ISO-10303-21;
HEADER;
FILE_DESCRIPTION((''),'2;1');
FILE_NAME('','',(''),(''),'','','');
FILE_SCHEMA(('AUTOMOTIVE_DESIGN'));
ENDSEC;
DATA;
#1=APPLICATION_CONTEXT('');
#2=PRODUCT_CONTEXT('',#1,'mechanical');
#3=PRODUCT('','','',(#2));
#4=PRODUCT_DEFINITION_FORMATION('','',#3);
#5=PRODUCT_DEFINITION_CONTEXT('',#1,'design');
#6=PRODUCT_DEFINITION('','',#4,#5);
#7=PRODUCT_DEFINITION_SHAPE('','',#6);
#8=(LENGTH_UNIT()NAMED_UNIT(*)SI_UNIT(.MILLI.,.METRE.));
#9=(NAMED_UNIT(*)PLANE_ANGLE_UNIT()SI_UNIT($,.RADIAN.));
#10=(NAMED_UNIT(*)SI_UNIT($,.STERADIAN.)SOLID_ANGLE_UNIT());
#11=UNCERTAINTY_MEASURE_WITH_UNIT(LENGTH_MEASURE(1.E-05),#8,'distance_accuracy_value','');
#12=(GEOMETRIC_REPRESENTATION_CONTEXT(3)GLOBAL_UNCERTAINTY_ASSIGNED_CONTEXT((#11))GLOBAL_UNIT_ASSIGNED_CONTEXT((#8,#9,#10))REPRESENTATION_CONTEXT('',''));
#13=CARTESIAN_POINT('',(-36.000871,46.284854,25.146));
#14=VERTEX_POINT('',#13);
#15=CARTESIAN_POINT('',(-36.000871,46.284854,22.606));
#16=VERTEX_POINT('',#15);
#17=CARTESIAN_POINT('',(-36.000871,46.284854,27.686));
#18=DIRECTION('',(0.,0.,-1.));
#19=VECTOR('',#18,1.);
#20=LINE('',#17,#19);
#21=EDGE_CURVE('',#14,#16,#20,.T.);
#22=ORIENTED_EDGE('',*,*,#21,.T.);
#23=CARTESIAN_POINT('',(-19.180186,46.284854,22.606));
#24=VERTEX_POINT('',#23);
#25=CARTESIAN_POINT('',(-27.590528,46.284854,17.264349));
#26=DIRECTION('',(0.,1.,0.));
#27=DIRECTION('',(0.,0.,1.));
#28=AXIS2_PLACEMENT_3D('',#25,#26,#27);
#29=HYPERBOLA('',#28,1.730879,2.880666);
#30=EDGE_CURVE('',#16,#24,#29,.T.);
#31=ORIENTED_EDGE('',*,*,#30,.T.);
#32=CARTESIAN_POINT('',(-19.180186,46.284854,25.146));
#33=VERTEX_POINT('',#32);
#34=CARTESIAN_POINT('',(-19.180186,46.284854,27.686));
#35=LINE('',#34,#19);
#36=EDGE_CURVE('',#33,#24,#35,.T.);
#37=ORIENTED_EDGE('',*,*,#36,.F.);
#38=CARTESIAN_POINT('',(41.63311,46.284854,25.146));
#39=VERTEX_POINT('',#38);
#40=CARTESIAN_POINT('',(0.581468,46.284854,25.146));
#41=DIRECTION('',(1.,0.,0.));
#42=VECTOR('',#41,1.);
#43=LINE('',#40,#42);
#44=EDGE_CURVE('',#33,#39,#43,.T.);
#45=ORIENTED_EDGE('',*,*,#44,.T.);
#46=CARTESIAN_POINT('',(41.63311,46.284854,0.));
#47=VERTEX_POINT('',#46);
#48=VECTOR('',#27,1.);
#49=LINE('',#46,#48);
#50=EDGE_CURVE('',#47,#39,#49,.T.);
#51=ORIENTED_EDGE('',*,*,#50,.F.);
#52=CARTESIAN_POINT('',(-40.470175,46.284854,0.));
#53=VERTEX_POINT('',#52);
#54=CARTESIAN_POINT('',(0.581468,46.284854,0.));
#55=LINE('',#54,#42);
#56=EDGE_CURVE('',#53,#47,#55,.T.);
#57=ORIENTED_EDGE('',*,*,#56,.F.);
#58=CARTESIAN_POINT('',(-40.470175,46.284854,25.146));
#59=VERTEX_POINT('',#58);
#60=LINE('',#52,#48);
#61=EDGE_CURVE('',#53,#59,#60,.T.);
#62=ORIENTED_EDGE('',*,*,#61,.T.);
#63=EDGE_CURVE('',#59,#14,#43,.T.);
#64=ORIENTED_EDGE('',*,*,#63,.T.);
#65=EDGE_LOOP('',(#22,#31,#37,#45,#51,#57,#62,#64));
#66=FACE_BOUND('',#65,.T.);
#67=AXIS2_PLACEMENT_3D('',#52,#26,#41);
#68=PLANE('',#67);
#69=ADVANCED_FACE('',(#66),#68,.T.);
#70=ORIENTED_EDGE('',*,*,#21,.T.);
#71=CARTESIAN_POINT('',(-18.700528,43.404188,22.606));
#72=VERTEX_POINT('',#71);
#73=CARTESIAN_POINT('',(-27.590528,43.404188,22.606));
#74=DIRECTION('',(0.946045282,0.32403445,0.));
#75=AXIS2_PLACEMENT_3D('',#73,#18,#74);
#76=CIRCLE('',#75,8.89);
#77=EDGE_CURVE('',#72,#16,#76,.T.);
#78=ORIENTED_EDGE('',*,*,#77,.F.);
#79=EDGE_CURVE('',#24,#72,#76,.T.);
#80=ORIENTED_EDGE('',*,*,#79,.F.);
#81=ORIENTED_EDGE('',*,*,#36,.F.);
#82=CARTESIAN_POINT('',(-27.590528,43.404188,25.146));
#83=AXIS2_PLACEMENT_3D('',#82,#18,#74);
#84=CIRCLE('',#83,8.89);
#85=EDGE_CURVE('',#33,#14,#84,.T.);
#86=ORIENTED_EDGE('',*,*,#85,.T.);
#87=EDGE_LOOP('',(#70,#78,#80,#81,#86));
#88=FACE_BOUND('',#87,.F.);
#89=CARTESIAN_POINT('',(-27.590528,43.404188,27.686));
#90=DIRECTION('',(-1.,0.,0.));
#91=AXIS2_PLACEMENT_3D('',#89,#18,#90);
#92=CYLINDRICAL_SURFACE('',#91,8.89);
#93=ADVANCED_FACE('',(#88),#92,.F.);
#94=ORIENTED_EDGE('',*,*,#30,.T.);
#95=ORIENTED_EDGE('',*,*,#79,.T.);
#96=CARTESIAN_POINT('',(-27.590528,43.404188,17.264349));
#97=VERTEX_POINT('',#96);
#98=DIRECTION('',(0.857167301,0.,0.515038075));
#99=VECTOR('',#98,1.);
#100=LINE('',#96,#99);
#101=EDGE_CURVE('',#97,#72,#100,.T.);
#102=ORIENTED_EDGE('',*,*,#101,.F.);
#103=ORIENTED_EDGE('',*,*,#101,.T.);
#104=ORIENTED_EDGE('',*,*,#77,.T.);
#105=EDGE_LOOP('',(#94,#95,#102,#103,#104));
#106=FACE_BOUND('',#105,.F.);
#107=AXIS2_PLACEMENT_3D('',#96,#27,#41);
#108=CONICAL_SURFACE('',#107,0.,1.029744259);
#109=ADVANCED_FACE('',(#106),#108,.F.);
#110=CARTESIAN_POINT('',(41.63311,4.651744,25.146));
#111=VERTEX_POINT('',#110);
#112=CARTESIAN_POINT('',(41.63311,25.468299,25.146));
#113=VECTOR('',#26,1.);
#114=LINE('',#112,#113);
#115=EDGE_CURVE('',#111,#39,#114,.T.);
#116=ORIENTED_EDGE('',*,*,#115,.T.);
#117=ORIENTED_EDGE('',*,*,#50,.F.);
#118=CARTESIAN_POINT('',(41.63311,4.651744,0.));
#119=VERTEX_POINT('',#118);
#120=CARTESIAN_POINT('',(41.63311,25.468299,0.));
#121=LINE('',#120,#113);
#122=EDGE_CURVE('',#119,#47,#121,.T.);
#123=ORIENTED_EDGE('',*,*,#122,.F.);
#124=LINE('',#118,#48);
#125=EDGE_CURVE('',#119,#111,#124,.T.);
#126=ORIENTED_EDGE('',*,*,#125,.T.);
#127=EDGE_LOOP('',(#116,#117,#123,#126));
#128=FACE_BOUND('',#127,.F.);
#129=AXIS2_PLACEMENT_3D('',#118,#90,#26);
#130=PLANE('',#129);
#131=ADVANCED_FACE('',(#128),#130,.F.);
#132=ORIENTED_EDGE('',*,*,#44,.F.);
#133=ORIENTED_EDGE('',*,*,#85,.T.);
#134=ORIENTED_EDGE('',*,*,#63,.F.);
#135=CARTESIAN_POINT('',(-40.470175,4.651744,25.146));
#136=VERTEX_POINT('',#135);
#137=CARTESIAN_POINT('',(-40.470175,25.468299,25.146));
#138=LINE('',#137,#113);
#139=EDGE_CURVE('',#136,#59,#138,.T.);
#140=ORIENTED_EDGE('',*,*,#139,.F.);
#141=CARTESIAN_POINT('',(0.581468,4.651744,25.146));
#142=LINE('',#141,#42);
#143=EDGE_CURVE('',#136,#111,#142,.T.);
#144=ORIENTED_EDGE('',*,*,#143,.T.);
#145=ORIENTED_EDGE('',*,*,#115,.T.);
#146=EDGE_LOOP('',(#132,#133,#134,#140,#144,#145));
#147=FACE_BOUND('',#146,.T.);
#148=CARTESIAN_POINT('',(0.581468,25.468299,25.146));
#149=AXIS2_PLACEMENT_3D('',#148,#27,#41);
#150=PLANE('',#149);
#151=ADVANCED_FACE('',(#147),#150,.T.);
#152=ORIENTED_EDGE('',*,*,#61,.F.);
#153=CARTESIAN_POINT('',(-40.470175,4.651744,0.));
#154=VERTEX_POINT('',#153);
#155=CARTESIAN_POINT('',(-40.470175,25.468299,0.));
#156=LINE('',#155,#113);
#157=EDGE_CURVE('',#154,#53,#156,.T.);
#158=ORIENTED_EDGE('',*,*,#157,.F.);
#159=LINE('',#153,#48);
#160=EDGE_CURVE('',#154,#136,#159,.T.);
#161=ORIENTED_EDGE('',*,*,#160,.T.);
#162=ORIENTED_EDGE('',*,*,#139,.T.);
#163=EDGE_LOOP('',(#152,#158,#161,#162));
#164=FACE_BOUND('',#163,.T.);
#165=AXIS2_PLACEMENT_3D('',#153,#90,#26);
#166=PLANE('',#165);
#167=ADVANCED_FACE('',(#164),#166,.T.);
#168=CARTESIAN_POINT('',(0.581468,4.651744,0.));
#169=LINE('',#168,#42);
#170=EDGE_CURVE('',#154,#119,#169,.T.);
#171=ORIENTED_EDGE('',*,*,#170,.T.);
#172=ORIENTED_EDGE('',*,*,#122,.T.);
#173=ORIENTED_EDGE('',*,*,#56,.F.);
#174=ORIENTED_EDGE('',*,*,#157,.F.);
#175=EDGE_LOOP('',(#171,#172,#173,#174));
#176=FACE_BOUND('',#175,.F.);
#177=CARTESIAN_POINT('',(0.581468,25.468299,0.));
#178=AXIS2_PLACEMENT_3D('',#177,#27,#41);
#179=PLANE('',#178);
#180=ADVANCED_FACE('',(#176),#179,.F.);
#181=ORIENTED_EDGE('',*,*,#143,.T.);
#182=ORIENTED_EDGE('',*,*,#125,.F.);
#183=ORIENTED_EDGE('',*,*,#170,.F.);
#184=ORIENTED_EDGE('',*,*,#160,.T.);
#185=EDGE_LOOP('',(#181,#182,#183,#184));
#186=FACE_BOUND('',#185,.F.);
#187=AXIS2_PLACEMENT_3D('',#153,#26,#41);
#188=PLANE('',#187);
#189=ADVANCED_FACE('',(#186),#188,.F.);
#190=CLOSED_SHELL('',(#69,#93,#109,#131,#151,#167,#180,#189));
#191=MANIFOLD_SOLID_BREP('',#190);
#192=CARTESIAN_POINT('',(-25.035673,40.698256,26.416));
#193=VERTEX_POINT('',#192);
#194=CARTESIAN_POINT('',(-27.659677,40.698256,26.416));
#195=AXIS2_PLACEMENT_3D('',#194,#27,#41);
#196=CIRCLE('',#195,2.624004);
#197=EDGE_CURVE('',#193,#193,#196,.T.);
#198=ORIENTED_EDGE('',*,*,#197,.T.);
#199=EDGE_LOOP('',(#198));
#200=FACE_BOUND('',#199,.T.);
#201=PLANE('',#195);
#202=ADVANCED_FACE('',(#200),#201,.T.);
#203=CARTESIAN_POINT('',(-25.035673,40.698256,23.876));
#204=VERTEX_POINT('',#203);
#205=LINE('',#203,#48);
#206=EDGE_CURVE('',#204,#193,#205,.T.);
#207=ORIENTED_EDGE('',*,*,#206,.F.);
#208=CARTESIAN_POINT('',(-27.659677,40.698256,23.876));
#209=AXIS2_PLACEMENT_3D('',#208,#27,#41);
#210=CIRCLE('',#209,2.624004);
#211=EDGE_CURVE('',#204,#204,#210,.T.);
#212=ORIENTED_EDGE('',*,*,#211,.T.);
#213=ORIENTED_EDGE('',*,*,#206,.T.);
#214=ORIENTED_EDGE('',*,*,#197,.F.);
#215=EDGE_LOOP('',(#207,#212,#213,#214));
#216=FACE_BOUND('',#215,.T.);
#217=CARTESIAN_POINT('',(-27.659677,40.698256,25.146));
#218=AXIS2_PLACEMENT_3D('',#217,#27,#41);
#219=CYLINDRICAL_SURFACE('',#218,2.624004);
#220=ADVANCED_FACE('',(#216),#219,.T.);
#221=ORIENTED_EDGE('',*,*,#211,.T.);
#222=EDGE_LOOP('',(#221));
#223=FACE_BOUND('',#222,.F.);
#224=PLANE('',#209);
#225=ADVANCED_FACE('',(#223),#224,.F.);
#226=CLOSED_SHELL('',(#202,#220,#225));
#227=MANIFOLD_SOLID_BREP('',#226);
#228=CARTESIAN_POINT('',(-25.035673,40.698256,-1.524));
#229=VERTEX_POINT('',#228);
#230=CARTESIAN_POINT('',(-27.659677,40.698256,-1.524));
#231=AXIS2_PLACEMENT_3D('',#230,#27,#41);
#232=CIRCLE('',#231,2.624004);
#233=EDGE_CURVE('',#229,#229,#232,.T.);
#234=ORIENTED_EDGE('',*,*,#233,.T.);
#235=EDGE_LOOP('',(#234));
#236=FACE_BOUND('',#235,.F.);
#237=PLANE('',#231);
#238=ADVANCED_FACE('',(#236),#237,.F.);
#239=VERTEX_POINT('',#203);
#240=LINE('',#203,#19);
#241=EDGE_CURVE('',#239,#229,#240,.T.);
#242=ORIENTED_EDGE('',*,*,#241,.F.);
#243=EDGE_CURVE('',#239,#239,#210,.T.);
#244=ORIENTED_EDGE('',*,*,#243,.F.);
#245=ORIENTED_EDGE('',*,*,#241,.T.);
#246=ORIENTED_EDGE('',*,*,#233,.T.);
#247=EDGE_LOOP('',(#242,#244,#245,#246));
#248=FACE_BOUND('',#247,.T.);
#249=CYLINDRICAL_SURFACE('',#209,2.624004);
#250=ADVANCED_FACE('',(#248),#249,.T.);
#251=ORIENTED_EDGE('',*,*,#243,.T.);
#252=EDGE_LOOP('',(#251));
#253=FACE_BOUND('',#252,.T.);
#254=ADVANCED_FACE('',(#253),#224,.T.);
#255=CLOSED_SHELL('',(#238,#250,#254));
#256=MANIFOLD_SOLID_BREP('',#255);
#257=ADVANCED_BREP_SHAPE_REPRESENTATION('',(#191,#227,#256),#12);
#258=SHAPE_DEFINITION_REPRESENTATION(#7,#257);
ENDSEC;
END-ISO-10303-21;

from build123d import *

# Parameters (mm, degrees)
F0_W     = 82.1032859385
F0_H     = 41.6331100278
F1_DEPTH = 25.146
F3_D     = 17.78
F3_DEPTH = 2.54
F3_TIP   = 5.3416509032
F2_R     = 2.624003914
F4_DEPTH = 1.27
F5_DEPTH = 25.4


with BuildPart() as f1:
    # F0 (on Top) → F1 (new body)
    with BuildSketch(Plane.XY):
        with Locations((0.5814675242, 25.4682993982)):
            Rectangle(F0_W, F0_H)
    extrude(amount=F1_DEPTH)

    # F3
    with Locations(Plane.XY.offset(25.146)):
        with Locations((-27.5905281305, 43.4041881504)):
            Hole(F3_D / 2, depth=F3_DEPTH)
            with Locations((0, 0, -(F3_DEPTH + F3_TIP / 2))):  # 118° drill point
                Cone(0, F3_D / 2, F3_TIP, mode=Mode.SUBTRACT)


with BuildPart() as f4:
    # F2 (on face) → F4 (new body, symmetric)
    with BuildSketch(Plane.XY.offset(25.146)):
        with Locations((-27.6596769691, 40.6982563436)):
            Circle(F2_R)
    extrude(amount=F4_DEPTH, both=True)


with BuildPart() as f5:
    # F5 (new): a face of the model
    f5_faces = [f4.part.faces().sort_by_distance(p)[0] for p in [
        (-27.6596769691, 40.6982563436, 23.876),
    ]]
    extrude(f5_faces, amount=F5_DEPTH)


solid = Compound([f1.part, f4.part, f5.part])
